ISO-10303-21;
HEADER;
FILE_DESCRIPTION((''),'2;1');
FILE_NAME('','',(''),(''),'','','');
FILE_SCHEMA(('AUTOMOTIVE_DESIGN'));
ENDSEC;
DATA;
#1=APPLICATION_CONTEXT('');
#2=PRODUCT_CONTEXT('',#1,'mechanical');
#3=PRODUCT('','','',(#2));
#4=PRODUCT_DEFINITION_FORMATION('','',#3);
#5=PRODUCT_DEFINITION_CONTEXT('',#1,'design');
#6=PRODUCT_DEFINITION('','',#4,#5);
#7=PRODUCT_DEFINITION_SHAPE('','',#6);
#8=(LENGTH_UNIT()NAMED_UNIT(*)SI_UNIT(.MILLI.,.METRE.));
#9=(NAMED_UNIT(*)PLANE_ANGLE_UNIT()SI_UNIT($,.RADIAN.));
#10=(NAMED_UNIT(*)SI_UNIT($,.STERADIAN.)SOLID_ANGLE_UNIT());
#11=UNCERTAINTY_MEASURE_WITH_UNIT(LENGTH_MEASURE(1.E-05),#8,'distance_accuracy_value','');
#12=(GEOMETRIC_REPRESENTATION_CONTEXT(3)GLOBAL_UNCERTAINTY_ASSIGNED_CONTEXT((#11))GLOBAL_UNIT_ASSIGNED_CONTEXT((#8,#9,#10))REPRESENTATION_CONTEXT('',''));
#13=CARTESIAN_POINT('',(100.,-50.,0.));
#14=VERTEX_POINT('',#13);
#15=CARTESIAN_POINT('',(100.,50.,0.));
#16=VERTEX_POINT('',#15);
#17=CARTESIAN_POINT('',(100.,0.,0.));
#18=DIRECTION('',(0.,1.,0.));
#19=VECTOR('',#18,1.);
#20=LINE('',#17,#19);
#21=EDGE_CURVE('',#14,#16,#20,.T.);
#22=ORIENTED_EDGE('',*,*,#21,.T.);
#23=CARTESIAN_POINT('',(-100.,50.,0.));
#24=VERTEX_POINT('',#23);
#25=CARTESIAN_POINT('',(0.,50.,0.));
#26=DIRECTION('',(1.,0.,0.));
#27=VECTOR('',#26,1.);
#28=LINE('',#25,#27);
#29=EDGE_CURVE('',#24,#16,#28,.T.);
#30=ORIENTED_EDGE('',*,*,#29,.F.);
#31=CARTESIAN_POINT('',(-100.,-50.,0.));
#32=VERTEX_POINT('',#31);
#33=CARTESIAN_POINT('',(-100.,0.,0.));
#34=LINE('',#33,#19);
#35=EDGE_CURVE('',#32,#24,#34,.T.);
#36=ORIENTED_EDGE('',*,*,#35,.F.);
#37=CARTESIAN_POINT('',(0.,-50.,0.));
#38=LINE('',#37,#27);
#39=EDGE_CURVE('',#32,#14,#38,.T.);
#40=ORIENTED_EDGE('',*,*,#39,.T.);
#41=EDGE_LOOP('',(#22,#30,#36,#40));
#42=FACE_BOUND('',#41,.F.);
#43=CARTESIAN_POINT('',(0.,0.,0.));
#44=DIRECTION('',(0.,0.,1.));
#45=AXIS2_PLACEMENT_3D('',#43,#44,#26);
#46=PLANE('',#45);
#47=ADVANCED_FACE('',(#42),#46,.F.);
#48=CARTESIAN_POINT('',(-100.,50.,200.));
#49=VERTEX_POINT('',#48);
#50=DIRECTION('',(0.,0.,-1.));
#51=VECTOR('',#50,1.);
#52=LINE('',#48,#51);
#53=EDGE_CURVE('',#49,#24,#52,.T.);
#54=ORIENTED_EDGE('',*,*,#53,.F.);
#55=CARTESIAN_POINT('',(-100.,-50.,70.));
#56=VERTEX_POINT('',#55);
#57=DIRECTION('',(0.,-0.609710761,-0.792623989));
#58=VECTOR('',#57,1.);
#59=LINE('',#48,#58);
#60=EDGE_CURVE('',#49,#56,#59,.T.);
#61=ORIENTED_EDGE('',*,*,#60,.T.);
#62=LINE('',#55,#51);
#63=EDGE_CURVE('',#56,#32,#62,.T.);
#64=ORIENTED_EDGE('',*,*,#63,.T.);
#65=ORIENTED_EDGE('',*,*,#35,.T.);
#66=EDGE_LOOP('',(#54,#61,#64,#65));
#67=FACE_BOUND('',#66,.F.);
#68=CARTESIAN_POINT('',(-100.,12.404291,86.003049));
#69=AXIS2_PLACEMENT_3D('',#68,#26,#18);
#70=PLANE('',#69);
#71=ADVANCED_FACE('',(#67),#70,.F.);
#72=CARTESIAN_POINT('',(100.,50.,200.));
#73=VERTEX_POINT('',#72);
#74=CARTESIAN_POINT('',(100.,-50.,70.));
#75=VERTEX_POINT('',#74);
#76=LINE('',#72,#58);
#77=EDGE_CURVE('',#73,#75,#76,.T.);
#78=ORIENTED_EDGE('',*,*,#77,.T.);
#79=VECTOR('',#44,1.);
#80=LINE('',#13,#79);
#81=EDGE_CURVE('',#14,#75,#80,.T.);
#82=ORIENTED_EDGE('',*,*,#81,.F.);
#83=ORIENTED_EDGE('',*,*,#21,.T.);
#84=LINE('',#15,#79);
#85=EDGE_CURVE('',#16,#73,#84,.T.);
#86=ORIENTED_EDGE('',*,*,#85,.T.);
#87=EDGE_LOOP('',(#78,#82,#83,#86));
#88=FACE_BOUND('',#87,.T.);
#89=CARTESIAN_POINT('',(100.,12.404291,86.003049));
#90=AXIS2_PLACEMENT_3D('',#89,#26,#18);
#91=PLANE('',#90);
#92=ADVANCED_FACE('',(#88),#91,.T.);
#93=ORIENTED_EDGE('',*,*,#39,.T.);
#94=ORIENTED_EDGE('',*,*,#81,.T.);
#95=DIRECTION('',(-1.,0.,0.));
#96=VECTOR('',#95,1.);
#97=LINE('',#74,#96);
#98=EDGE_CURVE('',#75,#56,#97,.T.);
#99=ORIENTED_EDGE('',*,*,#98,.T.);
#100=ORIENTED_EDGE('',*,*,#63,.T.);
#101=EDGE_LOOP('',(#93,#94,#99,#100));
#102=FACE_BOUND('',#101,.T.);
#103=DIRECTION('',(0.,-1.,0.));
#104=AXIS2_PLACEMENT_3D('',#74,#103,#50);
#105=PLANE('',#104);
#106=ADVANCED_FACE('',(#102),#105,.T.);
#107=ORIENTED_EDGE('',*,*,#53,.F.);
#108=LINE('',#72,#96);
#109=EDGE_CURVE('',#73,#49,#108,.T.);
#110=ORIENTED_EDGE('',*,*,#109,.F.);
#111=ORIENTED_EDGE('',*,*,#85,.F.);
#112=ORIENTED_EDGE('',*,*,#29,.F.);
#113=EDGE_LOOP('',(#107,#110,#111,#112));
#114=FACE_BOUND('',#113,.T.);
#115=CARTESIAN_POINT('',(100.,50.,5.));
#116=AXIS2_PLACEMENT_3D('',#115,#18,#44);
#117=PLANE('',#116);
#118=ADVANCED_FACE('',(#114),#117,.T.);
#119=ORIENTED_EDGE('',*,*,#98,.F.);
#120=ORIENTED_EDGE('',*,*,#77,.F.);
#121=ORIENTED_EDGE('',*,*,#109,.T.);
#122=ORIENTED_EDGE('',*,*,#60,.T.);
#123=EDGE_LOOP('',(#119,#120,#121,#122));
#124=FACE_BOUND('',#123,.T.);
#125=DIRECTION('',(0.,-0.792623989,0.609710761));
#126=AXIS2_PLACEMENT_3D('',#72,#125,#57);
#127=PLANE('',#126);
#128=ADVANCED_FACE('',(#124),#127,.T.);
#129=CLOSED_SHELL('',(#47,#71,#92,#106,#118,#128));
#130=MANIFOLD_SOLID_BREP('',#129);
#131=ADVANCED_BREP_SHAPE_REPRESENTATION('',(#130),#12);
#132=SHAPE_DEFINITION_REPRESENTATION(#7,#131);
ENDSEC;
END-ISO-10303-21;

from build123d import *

# Parameters (mm, degrees)
F0_W     = 200
F0_H     = 100
F1_DEPTH = 5
F3_DEPTH = 200


with BuildPart() as f1:
    # F0 (on Top) → F1 (new body)
    with BuildSketch(Plane.XY):
        Rectangle(F0_W, F0_H)
    extrude(amount=F1_DEPTH)

    # F2 (on face) → F3 (join)
    with BuildSketch(Plane.YZ.offset(100)):
        Polygon((-50, 70), (-50, 5), (50, 5), (50, 200), align=None)
    extrude(amount=-F3_DEPTH)


solid = f1.part
